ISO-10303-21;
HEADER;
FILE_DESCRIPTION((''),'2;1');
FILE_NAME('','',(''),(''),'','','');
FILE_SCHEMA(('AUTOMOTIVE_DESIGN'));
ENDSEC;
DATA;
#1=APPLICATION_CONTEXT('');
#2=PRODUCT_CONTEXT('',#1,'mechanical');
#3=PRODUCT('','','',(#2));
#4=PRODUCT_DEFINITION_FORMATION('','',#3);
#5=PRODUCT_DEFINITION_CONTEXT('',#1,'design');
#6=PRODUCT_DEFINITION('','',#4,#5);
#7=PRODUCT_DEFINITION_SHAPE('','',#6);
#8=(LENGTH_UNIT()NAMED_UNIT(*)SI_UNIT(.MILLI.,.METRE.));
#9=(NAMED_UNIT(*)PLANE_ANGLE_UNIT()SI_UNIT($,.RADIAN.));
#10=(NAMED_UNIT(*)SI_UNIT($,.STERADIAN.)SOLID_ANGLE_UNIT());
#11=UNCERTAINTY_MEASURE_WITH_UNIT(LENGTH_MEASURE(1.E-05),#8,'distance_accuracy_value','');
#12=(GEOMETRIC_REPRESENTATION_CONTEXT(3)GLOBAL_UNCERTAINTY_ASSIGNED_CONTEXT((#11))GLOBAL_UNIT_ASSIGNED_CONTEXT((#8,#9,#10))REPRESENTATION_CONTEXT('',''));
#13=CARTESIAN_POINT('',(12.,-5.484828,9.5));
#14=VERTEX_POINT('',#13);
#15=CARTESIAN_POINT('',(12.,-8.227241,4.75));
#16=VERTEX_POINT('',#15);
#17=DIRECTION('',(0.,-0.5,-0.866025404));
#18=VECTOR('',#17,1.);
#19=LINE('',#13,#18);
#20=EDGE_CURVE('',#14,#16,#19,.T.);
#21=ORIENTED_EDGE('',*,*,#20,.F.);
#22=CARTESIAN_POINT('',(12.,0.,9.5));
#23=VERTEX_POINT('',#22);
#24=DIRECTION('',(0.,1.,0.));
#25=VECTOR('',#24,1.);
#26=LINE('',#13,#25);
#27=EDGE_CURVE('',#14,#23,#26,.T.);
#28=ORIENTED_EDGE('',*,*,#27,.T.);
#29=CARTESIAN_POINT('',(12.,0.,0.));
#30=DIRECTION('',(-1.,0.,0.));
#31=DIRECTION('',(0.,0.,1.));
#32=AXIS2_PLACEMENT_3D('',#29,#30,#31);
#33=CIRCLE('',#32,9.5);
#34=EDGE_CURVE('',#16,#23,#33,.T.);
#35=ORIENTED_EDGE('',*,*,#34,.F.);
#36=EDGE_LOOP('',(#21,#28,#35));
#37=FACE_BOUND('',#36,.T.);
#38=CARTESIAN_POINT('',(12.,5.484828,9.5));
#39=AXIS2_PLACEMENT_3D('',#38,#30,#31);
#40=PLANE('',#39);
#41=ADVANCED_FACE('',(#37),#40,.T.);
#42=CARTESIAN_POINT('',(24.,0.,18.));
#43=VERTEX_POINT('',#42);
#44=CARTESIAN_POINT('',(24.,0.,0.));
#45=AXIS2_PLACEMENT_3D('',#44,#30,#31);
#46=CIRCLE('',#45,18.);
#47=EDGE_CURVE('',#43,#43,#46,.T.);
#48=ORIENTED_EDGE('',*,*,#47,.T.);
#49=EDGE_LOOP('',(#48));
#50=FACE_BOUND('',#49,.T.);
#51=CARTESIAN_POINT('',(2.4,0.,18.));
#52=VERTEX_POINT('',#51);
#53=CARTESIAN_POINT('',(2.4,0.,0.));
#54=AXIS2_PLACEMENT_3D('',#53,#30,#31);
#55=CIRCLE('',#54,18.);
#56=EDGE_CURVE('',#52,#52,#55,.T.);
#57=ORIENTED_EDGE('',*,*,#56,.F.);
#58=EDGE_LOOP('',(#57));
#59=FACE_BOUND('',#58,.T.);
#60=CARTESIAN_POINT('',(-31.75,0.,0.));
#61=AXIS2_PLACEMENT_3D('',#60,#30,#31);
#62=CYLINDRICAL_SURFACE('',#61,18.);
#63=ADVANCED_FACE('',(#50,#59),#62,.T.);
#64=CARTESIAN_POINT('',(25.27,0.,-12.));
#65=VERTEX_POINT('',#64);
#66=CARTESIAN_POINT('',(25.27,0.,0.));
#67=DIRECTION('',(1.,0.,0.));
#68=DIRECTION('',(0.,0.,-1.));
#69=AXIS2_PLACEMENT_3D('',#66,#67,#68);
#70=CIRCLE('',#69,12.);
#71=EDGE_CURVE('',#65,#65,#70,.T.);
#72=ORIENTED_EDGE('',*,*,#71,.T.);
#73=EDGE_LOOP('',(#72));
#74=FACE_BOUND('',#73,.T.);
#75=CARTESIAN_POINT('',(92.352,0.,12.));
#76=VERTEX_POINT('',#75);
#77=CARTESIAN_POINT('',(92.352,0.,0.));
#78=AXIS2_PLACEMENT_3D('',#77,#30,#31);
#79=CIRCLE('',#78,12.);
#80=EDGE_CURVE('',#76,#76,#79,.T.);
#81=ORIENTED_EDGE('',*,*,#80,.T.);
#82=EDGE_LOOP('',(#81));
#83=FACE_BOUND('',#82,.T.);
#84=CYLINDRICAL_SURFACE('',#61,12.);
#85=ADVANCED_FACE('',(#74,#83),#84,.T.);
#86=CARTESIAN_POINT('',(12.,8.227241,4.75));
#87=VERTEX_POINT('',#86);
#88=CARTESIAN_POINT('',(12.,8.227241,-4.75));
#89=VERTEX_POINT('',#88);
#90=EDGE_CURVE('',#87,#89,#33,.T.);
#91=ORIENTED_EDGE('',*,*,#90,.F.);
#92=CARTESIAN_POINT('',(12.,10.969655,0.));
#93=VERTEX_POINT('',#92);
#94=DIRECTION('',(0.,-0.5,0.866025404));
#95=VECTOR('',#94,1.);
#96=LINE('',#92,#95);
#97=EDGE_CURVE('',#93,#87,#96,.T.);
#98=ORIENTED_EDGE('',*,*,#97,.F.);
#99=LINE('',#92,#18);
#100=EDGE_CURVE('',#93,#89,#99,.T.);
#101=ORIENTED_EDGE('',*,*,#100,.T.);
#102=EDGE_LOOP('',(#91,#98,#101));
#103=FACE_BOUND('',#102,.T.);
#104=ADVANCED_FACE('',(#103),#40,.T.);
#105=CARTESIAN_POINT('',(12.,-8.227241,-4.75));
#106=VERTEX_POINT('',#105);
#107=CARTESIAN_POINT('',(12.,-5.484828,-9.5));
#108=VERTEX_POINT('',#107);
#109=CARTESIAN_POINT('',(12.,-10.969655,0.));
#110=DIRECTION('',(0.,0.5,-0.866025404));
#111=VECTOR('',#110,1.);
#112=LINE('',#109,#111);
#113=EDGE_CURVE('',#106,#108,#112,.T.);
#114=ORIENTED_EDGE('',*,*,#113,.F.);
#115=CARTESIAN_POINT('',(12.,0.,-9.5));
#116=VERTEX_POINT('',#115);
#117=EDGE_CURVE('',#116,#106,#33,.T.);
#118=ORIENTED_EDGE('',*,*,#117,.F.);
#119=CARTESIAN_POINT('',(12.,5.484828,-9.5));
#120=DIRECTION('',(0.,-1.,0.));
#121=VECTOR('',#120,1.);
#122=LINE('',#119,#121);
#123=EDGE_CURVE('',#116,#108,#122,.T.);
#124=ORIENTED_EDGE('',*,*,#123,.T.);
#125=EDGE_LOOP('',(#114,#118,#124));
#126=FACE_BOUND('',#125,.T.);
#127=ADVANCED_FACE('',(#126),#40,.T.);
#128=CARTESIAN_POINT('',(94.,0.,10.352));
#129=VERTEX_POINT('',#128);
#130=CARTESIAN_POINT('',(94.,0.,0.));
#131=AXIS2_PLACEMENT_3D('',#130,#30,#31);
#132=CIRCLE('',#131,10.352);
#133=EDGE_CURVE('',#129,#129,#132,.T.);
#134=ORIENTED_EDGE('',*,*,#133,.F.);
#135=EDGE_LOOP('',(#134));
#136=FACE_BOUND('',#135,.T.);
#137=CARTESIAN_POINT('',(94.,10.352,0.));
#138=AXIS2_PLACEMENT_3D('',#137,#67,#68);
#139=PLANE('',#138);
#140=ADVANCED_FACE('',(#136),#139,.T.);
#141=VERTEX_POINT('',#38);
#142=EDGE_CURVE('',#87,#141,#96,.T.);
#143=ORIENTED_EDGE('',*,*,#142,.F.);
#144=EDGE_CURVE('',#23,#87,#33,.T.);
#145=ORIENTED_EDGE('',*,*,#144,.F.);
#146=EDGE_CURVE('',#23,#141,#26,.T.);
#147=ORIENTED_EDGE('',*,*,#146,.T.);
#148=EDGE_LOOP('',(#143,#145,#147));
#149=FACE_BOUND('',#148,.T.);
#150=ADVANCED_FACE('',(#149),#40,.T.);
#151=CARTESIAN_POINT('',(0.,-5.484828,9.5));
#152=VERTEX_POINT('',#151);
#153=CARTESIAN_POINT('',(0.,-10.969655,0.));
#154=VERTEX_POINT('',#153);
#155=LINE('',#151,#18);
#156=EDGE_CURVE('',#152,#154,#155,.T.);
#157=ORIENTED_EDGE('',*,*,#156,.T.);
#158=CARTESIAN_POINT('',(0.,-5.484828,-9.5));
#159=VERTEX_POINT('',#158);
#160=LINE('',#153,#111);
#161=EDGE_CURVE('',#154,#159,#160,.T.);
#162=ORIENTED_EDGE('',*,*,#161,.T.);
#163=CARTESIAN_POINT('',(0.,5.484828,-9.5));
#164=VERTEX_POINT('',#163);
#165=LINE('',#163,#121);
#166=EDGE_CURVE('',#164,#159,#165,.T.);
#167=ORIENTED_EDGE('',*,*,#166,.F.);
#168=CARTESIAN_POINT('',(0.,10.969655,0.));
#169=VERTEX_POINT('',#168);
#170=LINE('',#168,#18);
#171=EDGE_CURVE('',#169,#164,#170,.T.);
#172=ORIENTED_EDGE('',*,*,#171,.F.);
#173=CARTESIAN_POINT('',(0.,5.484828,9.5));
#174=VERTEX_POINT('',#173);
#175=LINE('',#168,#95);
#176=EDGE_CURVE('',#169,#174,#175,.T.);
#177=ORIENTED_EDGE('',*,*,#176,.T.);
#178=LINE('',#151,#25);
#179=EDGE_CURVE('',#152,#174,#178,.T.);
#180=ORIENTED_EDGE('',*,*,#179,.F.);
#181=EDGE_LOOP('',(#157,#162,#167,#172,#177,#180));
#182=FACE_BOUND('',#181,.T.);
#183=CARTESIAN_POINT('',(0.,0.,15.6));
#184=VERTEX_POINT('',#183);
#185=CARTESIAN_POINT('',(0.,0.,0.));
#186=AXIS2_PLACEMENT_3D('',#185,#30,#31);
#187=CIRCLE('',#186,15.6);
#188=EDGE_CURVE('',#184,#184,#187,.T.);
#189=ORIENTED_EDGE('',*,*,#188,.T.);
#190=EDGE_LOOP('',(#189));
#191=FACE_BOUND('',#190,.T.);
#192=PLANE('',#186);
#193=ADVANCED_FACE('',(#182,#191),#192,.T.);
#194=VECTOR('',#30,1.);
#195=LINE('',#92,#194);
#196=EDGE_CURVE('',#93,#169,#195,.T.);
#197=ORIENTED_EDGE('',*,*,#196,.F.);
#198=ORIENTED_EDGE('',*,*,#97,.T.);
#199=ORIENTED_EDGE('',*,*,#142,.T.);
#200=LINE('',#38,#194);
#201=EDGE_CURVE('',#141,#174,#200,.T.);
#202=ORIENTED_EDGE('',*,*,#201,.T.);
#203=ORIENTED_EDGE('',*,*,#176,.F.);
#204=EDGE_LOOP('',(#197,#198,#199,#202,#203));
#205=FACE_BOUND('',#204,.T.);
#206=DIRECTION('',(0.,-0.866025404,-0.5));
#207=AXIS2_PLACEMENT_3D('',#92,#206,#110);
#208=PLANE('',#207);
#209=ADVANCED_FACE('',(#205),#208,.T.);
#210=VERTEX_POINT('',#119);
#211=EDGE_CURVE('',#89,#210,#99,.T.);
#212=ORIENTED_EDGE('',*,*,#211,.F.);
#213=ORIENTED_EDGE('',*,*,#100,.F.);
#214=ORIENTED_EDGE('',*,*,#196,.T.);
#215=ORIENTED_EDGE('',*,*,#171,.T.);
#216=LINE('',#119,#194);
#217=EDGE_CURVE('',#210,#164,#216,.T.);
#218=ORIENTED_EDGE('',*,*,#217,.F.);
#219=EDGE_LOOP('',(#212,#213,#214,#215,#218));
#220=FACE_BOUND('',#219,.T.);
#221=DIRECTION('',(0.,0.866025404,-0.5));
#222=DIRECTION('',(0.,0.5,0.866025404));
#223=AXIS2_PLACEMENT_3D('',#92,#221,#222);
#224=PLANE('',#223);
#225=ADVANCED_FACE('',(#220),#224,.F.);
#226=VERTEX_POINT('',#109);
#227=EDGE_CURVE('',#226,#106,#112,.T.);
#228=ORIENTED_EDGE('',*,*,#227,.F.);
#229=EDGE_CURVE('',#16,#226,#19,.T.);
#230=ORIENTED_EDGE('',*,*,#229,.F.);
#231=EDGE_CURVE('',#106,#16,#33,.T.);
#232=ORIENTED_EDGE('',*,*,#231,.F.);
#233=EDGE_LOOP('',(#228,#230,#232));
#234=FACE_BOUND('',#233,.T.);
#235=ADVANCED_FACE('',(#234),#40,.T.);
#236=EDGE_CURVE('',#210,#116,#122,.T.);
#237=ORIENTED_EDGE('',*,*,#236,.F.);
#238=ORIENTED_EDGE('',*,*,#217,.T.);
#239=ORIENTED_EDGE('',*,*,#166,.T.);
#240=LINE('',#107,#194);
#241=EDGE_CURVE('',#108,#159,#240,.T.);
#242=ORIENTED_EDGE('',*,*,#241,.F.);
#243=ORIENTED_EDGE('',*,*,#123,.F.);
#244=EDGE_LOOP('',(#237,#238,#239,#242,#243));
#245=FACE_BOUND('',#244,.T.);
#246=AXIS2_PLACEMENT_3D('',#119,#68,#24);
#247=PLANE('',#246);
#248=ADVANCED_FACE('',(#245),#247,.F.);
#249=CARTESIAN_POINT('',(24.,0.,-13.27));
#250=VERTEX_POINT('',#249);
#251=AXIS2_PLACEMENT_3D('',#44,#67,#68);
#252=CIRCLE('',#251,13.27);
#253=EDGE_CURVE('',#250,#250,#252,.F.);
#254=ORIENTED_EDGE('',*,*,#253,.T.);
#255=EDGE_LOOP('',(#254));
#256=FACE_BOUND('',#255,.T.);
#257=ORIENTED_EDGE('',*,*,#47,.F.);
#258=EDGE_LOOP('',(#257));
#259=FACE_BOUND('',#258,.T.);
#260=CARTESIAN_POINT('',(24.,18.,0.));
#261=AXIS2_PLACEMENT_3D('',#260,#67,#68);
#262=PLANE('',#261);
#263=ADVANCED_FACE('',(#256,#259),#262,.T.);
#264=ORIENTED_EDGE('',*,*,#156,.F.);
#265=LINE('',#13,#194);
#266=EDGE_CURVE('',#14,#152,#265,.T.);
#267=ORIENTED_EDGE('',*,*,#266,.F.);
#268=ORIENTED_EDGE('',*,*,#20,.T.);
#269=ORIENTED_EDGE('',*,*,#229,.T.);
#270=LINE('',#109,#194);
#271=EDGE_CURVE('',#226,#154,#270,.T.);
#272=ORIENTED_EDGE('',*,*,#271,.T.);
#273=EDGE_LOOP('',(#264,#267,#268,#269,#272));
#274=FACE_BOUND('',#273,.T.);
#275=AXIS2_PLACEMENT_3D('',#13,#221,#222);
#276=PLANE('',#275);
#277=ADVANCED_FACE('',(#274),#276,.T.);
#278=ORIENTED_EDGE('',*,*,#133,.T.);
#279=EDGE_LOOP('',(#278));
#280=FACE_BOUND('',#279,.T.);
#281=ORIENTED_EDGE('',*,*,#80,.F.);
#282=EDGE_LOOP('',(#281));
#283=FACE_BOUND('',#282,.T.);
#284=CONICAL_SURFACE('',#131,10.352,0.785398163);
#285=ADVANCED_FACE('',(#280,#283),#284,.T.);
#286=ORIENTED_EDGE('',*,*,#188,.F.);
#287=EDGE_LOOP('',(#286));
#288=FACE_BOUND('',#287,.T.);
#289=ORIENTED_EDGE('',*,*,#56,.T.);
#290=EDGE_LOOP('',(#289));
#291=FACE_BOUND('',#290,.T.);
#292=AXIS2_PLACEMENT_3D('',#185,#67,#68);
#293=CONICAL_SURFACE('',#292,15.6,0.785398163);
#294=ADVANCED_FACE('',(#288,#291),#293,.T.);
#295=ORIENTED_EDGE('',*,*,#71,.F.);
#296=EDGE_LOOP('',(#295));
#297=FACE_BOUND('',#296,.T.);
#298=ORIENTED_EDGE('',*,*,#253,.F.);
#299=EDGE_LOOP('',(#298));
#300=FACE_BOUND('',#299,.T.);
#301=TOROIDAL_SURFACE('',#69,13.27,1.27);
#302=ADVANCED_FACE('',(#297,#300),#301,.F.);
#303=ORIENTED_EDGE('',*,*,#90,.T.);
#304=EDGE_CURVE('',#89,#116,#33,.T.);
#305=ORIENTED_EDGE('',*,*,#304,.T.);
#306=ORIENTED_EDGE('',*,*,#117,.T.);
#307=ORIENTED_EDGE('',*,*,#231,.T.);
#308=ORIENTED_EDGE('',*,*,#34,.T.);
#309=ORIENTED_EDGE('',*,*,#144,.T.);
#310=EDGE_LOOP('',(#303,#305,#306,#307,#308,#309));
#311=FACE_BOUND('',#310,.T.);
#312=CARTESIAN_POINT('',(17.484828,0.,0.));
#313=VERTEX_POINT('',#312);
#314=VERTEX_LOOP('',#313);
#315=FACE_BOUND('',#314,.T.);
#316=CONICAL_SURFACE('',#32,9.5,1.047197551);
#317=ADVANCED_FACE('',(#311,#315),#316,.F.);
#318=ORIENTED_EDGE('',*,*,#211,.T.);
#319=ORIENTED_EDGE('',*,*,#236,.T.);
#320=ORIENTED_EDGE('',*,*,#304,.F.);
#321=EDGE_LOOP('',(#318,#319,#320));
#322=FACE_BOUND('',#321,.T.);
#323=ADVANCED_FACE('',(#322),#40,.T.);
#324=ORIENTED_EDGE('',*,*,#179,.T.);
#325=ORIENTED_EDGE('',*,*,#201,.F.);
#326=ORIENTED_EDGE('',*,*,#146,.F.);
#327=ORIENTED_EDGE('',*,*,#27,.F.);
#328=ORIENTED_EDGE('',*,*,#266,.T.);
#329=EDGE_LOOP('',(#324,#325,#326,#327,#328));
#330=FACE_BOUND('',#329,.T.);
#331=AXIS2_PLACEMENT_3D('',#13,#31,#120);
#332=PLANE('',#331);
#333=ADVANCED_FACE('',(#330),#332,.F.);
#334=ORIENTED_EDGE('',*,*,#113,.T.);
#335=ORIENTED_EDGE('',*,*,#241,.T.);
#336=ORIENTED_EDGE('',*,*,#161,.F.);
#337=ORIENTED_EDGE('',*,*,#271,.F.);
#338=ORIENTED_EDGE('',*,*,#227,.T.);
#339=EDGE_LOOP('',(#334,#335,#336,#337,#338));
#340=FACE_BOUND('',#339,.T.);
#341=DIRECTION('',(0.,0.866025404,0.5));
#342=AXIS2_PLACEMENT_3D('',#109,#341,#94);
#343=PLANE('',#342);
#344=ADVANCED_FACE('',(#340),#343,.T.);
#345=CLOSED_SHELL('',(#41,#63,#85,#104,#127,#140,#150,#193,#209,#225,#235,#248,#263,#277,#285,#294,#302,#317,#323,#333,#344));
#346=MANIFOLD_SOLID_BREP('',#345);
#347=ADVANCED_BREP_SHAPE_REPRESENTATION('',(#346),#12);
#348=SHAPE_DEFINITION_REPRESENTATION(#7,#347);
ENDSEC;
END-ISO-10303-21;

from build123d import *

# Parameters (mm, degrees)
FILLET1_R   = 1.27
HEX_2_DEPTH = 12


with BuildPart() as part:
    # BodySke → Base-Revolve (revolve)
    with BuildSketch(Plane.XY):
        Polygon((0, 0), (0, 15.6), (2.4, 18), (24, 18), (24, 12), (92.352, 12), (94, 10.352), (94, 0), align=None)
    revolve(axis=Axis((-31.75, 0, 0), (1, 0, 0)))

    # Fillet1
    fillet1_edges = [part.edges().sort_by_distance(p)[0] for p in [
        (24, -12, 0),
    ]]
    fillet(fillet1_edges, radius=FILLET1_R)

    # Sketch2 → Hex-PreBroach (revolve, cut)
    with BuildSketch(Plane.XY):
        Polygon((0, 9.5), (12, 9.5), (17.484827557, 0), (0, 0), align=None)
    revolve(axis=Axis((0, 0, 0), (1, 0, 0)), mode=Mode.SUBTRACT)

    # Sketch3 → Hex 2 (cut)
    with BuildSketch(Plane(origin=(0, 0, 0), x_dir=(0, 0.5, 0.866025404), z_dir=(-1, 0, 0))):
        Polygon((5.484827557, 9.5), (-5.484827557, 9.5), (-10.969655115, 0), (-5.484827557, -9.5), (5.484827557, -9.5), (10.969655115, 0), align=None)
    extrude(amount=-HEX_2_DEPTH, mode=Mode.SUBTRACT)


solid = part.part
